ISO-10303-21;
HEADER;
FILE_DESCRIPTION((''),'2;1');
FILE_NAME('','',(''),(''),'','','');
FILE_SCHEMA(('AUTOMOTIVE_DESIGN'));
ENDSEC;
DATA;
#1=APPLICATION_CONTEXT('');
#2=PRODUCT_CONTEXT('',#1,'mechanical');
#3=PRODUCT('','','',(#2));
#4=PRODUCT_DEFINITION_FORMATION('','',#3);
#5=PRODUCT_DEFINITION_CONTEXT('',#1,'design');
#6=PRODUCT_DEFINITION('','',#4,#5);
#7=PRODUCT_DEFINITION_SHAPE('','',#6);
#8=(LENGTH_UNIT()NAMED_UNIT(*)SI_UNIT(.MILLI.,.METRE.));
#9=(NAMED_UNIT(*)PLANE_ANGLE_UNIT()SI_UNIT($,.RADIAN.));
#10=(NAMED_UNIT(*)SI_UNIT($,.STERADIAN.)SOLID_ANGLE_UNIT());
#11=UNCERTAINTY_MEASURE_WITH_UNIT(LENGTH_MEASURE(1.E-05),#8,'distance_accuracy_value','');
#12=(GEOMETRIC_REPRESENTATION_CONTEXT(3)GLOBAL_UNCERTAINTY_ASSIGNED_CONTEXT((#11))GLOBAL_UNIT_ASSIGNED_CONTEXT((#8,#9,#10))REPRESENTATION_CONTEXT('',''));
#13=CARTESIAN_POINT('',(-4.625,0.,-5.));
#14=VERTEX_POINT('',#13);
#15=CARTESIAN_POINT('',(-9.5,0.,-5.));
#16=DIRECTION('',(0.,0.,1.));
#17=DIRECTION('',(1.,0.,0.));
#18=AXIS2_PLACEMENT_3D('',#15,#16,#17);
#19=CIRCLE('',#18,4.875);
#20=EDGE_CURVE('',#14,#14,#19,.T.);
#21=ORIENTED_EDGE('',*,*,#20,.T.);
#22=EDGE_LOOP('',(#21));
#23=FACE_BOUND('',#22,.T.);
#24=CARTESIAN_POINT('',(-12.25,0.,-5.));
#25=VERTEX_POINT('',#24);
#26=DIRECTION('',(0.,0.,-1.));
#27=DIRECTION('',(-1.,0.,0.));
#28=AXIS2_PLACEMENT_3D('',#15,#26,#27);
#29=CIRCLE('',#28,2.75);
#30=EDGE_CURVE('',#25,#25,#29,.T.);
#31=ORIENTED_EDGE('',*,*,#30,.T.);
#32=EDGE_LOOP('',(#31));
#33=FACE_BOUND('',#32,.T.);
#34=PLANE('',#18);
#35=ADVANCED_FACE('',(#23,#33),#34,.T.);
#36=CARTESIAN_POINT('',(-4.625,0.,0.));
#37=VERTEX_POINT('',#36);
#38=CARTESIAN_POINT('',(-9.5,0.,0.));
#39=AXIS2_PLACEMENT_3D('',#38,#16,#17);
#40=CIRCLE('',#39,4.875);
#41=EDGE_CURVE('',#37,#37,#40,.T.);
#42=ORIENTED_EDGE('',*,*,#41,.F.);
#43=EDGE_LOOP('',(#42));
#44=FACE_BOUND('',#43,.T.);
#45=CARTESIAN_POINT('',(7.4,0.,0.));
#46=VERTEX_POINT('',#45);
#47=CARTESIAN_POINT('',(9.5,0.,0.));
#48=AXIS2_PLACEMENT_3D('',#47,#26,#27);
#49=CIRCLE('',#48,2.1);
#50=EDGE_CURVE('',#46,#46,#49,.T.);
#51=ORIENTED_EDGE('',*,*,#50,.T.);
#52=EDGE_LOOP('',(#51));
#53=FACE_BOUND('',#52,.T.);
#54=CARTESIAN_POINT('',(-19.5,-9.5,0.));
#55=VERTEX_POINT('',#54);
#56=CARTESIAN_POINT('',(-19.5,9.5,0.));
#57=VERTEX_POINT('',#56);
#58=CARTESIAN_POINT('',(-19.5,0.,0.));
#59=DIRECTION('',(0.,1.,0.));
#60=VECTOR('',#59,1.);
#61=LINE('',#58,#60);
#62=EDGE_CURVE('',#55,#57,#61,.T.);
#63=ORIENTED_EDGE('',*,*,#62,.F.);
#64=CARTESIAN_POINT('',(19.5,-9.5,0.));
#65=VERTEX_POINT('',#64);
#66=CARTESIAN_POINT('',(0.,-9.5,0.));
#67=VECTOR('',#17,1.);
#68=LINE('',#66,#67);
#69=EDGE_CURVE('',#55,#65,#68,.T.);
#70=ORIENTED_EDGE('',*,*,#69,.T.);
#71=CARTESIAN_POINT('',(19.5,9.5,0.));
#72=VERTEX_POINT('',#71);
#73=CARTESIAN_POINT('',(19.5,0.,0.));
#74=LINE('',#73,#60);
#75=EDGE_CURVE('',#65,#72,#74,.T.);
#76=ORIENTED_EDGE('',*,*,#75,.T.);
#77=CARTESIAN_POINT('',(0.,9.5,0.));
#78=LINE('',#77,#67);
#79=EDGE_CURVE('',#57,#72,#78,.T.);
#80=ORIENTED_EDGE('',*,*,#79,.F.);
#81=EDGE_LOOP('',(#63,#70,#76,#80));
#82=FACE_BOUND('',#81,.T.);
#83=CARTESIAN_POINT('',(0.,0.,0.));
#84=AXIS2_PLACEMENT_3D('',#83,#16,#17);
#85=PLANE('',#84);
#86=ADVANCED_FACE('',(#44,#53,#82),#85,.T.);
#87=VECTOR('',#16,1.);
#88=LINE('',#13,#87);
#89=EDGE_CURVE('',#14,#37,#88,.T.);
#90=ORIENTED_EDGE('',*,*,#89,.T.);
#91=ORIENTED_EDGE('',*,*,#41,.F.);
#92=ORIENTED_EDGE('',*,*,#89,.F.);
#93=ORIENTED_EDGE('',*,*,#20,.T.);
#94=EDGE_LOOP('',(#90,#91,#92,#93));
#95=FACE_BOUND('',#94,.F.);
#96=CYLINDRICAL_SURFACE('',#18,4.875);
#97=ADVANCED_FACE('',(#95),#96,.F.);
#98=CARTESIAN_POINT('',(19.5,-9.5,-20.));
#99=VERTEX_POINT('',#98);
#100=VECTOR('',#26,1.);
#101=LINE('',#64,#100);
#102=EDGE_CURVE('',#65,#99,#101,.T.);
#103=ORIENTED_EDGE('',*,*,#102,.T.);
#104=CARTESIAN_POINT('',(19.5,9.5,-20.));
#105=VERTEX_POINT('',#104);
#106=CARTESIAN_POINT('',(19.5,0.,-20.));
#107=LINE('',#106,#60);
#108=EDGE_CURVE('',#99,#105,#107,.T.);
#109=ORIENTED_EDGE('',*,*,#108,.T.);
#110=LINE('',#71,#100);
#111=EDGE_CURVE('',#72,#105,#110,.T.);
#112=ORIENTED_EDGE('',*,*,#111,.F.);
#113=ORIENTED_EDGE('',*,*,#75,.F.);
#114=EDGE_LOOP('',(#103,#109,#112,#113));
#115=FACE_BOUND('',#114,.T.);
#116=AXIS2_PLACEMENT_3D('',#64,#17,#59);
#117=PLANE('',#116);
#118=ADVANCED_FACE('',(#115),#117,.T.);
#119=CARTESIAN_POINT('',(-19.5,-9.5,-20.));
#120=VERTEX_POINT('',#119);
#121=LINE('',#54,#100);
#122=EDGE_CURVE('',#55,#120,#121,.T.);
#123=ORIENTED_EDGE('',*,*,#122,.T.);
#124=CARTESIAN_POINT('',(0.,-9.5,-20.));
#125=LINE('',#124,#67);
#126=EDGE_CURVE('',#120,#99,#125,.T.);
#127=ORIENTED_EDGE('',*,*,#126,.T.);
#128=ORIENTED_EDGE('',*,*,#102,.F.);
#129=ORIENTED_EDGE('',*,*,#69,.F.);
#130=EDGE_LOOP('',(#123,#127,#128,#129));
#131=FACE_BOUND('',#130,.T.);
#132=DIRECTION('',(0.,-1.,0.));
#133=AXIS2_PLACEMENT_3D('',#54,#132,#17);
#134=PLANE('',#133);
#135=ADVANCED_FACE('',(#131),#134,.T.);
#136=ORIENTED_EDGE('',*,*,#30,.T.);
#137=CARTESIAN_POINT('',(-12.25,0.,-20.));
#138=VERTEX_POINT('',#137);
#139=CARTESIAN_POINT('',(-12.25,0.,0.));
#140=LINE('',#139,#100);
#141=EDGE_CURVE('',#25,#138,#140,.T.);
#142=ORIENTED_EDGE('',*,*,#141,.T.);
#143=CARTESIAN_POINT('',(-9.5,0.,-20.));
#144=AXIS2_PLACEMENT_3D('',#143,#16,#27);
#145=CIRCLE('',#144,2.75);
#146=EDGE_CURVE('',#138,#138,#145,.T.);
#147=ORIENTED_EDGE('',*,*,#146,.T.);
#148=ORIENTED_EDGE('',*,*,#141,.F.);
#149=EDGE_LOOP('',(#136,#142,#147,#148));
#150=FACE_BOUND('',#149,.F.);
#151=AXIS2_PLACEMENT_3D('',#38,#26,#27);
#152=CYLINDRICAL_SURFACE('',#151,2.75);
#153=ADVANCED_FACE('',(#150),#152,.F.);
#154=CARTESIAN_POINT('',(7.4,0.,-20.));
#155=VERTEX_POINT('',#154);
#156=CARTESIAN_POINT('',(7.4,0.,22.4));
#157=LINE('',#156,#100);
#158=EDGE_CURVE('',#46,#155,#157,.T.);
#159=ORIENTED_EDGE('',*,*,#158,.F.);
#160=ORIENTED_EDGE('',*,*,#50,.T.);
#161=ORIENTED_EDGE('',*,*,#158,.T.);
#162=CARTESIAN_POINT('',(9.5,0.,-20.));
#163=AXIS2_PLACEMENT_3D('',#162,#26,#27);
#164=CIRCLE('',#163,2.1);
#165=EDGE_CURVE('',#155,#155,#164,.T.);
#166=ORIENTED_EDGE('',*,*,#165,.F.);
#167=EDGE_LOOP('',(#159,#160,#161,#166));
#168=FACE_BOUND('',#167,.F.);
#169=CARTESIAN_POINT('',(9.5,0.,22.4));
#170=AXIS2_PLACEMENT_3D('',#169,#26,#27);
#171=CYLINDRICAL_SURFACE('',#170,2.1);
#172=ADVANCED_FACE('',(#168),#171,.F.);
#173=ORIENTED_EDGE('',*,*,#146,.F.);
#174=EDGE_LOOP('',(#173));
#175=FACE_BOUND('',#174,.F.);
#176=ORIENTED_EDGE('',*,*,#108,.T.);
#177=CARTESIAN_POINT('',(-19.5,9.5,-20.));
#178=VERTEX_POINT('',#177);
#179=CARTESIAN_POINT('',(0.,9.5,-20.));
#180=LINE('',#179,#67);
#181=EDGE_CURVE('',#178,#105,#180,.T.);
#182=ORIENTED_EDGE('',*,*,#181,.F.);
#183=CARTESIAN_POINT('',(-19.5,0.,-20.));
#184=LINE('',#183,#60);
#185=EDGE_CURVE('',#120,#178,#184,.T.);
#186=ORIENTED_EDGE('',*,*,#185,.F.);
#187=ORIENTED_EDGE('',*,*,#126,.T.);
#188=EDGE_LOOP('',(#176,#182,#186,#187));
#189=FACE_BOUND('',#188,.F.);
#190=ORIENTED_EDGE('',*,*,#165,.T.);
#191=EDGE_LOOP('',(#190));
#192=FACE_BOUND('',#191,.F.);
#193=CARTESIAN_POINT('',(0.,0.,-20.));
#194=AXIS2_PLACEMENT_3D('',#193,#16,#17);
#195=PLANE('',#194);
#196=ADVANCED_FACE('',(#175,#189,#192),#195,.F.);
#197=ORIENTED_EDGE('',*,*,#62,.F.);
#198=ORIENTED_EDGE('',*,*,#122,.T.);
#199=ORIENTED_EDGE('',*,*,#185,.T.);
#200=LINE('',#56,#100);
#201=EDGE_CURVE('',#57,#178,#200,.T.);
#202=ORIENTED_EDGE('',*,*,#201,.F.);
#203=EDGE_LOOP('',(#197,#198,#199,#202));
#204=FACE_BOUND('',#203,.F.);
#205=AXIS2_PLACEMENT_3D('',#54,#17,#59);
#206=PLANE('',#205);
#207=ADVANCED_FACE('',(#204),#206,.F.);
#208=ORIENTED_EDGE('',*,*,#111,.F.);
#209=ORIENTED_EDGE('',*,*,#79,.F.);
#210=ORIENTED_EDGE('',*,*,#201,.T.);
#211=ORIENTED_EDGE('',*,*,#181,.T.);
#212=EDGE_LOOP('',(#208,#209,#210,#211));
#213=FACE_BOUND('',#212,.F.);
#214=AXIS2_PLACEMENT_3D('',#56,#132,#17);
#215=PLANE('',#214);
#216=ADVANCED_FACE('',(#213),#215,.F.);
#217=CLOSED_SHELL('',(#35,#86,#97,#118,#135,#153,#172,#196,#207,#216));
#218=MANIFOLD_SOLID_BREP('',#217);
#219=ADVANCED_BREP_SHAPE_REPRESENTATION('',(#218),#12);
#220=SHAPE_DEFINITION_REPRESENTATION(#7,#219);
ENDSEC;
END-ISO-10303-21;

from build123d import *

# Parameters (mm, degrees)
F0_W           = 39
F0_H           = 19
F1_DEPTH       = 20
F2_D           = 5.5
F2_DEPTH       = 20
F2_CBORE_D     = 9.75
F2_CBORE_DEPTH = 5
F2_TIP         = 1.6523667023
F3_D           = 4.2
F3_DEPTH       = 22.4
F3_TIP         = 1.2618073


with BuildPart() as f1:
    # F0 (on Top) → F1 (new body)
    with BuildSketch(Plane.XY):
        Rectangle(F0_W, F0_H)
    extrude(amount=-F1_DEPTH)

    # F2
    with Locations(Plane.XY):
        with Locations((-9.5, 0)):
            CounterBoreHole(F2_D / 2, F2_CBORE_D / 2, F2_CBORE_DEPTH, depth=F2_DEPTH)
            with Locations((0, 0, -(F2_DEPTH + F2_TIP / 2))):  # 118° drill point
                Cone(0, F2_D / 2, F2_TIP, mode=Mode.SUBTRACT)

    # F3
    with Locations(Plane.XY):
        with Locations((9.5, 0)):
            Hole(F3_D / 2, depth=F3_DEPTH)
            with Locations((0, 0, -(F3_DEPTH + F3_TIP / 2))):  # 118° drill point
                Cone(0, F3_D / 2, F3_TIP, mode=Mode.SUBTRACT)


solid = f1.part
